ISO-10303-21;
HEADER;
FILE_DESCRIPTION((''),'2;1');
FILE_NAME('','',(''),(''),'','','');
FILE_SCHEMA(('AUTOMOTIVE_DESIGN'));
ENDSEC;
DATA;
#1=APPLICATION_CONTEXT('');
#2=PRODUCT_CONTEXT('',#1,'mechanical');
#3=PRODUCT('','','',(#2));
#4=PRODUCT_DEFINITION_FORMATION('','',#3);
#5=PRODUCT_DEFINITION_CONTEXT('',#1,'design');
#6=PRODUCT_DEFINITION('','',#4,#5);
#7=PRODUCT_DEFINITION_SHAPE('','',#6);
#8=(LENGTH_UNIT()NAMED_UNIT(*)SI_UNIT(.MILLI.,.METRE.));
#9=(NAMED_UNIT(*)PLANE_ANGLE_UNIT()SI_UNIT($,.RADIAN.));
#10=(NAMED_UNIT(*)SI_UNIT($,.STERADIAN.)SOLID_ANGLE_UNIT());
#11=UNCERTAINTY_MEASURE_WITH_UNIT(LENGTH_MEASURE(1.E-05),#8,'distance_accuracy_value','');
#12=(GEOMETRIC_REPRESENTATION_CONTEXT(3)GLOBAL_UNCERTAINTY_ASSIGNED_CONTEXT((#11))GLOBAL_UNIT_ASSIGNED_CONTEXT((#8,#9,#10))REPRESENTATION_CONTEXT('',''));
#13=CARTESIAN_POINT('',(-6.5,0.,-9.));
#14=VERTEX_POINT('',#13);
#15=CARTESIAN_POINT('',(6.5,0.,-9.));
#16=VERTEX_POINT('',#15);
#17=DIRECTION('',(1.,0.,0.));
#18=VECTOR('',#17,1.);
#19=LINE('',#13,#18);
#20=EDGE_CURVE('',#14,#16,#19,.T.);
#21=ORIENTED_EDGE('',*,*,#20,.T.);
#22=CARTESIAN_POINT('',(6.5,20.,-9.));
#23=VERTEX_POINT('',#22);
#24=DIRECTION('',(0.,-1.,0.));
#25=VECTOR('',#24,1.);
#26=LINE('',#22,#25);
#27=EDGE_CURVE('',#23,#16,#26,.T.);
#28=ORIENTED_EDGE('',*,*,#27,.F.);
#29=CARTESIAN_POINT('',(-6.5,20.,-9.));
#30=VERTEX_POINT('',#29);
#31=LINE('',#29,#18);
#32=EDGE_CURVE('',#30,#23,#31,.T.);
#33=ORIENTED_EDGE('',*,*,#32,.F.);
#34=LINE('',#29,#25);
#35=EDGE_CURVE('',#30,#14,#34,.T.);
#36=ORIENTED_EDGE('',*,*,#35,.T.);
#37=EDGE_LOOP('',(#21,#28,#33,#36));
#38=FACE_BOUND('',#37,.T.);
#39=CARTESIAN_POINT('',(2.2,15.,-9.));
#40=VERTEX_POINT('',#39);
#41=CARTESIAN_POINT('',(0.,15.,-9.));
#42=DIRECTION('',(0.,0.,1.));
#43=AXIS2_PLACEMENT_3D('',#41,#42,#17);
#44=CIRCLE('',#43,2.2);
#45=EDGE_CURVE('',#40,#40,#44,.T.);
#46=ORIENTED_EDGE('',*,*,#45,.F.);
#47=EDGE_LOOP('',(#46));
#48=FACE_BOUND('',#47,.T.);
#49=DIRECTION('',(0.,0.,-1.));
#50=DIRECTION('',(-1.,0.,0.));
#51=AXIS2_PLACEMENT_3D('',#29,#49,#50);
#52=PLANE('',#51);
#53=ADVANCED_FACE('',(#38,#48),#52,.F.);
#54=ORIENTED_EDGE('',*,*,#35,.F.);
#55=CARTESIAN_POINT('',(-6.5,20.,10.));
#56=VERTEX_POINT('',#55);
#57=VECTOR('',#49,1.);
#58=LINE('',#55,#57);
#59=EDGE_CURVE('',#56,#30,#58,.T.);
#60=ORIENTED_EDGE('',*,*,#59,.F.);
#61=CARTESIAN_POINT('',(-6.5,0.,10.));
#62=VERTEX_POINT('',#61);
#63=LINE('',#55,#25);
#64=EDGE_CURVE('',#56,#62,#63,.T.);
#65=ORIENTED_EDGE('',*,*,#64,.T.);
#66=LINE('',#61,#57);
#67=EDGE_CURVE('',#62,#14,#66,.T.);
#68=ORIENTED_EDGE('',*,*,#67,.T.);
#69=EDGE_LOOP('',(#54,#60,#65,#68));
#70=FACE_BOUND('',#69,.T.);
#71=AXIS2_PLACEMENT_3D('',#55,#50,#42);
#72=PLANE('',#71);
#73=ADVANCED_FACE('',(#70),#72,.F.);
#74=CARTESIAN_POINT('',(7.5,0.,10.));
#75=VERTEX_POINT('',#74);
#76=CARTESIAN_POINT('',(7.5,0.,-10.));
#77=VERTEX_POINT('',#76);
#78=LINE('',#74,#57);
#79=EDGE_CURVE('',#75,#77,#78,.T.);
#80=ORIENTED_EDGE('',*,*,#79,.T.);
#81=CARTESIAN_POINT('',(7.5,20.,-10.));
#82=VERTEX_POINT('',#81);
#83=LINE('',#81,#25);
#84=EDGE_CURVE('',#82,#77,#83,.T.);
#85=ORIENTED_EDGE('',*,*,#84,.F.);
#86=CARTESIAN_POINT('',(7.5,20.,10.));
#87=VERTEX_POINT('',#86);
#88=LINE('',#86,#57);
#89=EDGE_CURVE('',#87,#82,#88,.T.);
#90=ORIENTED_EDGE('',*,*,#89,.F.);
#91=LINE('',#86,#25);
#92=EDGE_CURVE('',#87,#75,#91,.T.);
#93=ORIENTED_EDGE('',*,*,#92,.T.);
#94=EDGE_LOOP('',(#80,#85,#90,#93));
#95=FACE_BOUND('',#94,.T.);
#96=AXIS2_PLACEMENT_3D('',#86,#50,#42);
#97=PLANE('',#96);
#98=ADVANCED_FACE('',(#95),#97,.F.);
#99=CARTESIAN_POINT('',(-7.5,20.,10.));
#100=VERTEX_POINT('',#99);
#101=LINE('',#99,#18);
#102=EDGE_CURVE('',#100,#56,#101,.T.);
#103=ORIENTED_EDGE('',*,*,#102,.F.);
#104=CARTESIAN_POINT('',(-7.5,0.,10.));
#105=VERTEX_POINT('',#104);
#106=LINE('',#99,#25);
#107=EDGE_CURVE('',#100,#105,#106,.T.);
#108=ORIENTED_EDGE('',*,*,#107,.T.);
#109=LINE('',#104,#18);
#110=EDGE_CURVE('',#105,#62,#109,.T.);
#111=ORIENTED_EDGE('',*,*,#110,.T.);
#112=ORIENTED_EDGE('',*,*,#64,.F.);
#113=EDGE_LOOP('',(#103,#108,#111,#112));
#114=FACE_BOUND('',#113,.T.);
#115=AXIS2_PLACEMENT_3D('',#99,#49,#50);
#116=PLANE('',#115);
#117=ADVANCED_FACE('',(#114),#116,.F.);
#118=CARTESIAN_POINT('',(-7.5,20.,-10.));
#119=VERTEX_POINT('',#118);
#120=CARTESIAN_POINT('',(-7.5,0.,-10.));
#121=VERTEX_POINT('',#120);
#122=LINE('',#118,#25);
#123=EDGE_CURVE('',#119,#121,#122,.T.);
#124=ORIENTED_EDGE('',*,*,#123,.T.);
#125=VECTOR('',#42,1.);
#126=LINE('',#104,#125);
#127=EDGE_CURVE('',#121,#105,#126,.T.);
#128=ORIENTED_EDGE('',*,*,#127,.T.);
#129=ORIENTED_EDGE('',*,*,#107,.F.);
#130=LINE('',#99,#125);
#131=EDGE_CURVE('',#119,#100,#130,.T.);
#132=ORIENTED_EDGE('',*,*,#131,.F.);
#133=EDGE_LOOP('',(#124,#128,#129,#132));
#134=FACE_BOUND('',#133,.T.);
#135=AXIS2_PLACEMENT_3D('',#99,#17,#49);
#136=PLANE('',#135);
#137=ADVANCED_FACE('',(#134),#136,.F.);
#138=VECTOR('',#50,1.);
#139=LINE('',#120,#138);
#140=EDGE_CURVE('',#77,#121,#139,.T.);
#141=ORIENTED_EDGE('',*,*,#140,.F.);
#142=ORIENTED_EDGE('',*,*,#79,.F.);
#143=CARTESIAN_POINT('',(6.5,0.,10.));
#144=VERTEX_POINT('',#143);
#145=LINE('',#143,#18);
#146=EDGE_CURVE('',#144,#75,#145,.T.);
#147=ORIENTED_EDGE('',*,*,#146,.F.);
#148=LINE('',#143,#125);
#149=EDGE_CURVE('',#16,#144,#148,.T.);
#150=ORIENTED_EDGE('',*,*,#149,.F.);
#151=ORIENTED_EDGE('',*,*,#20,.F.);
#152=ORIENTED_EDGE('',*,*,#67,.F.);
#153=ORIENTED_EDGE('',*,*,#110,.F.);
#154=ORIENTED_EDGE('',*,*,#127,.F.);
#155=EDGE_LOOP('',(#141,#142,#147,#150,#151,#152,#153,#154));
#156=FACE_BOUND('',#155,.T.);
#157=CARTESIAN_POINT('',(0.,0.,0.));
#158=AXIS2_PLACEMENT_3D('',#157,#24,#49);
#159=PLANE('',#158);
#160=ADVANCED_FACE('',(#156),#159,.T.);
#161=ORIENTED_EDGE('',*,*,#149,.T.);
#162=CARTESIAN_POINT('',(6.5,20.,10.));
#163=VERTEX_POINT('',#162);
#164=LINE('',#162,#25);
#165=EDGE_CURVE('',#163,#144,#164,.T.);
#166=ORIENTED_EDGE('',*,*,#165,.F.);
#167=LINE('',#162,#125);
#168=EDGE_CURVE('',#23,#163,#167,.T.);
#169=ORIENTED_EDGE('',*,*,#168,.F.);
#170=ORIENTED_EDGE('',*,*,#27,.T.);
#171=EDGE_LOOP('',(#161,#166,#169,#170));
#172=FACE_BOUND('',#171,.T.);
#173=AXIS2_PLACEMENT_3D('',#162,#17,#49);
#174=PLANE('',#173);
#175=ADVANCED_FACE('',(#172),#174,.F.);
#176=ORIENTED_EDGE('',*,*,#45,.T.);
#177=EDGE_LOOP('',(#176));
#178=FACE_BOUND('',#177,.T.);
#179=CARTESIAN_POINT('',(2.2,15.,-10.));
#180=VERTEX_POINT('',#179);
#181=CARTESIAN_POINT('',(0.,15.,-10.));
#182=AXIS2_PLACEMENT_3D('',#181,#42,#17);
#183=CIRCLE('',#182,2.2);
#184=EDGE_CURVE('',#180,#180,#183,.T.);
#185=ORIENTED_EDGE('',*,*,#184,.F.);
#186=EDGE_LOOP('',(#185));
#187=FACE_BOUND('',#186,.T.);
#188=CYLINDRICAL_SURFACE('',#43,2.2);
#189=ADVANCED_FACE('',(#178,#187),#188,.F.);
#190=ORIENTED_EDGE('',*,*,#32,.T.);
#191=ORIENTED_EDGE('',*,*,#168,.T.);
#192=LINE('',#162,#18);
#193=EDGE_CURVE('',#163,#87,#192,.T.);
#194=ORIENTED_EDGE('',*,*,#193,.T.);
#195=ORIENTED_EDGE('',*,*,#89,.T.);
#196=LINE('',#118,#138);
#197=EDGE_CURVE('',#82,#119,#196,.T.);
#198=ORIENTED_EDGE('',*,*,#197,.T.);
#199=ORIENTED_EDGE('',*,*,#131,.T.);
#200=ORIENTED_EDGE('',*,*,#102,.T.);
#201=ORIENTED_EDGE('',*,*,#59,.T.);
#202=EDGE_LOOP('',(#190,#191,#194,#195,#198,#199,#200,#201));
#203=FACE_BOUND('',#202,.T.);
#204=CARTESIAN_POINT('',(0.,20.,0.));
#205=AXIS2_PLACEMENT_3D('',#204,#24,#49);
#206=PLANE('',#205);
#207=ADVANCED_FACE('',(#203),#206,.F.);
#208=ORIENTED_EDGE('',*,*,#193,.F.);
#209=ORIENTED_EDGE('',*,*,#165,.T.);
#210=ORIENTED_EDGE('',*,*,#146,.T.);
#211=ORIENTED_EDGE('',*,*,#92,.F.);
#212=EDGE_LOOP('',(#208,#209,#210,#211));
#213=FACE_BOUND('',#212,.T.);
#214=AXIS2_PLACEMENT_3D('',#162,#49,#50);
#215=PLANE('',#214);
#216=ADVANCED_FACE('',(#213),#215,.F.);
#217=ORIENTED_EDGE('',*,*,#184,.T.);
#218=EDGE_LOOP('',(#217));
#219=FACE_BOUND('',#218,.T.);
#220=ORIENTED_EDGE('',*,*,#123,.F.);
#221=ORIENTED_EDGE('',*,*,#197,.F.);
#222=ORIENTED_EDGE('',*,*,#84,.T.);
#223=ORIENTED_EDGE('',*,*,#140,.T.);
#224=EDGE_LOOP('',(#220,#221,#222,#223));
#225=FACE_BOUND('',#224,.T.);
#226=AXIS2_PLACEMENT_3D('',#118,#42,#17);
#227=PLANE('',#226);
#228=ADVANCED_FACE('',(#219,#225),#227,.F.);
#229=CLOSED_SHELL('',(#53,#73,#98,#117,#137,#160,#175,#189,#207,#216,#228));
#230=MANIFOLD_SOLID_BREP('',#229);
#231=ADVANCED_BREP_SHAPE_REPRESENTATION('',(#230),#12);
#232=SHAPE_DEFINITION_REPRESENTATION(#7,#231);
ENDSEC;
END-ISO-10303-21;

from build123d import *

# Parameters (mm, degrees)
SALIENTE_EXTRUIR1_DEPTH                             = 20
CBORE_FOR_M2_HEX_SOCKET_HEAD_CAP_SCREW1_D           = 2.4
CBORE_FOR_M2_HEX_SOCKET_HEAD_CAP_SCREW1_CBORE_D     = 4.4
CBORE_FOR_M2_HEX_SOCKET_HEAD_CAP_SCREW1_CBORE_DEPTH = 2.4


with BuildPart() as part:
    # Croquis1 → Saliente-Extruir1 (new body)
    with BuildSketch(Plane(origin=(0, 0, 0), x_dir=(1, 0, 0), z_dir=(0, 1, 0))):
        Polygon((6.5, -10), (7.5, -10), (7.5, 10), (-7.5, 10), (-7.5, -10), (-6.5, -10), (-6.5, 9), (6.5, 9), align=None)
    extrude(amount=SALIENTE_EXTRUIR1_DEPTH)

    # CBORE for M2 Hex Socket Head Cap Screw1 (through all)
    with Locations(Plane.XY.offset(-9)):
        with Locations((0, 15)):
            CounterBoreHole(CBORE_FOR_M2_HEX_SOCKET_HEAD_CAP_SCREW1_D / 2, CBORE_FOR_M2_HEX_SOCKET_HEAD_CAP_SCREW1_CBORE_D / 2, CBORE_FOR_M2_HEX_SOCKET_HEAD_CAP_SCREW1_CBORE_DEPTH)


solid = part.part
